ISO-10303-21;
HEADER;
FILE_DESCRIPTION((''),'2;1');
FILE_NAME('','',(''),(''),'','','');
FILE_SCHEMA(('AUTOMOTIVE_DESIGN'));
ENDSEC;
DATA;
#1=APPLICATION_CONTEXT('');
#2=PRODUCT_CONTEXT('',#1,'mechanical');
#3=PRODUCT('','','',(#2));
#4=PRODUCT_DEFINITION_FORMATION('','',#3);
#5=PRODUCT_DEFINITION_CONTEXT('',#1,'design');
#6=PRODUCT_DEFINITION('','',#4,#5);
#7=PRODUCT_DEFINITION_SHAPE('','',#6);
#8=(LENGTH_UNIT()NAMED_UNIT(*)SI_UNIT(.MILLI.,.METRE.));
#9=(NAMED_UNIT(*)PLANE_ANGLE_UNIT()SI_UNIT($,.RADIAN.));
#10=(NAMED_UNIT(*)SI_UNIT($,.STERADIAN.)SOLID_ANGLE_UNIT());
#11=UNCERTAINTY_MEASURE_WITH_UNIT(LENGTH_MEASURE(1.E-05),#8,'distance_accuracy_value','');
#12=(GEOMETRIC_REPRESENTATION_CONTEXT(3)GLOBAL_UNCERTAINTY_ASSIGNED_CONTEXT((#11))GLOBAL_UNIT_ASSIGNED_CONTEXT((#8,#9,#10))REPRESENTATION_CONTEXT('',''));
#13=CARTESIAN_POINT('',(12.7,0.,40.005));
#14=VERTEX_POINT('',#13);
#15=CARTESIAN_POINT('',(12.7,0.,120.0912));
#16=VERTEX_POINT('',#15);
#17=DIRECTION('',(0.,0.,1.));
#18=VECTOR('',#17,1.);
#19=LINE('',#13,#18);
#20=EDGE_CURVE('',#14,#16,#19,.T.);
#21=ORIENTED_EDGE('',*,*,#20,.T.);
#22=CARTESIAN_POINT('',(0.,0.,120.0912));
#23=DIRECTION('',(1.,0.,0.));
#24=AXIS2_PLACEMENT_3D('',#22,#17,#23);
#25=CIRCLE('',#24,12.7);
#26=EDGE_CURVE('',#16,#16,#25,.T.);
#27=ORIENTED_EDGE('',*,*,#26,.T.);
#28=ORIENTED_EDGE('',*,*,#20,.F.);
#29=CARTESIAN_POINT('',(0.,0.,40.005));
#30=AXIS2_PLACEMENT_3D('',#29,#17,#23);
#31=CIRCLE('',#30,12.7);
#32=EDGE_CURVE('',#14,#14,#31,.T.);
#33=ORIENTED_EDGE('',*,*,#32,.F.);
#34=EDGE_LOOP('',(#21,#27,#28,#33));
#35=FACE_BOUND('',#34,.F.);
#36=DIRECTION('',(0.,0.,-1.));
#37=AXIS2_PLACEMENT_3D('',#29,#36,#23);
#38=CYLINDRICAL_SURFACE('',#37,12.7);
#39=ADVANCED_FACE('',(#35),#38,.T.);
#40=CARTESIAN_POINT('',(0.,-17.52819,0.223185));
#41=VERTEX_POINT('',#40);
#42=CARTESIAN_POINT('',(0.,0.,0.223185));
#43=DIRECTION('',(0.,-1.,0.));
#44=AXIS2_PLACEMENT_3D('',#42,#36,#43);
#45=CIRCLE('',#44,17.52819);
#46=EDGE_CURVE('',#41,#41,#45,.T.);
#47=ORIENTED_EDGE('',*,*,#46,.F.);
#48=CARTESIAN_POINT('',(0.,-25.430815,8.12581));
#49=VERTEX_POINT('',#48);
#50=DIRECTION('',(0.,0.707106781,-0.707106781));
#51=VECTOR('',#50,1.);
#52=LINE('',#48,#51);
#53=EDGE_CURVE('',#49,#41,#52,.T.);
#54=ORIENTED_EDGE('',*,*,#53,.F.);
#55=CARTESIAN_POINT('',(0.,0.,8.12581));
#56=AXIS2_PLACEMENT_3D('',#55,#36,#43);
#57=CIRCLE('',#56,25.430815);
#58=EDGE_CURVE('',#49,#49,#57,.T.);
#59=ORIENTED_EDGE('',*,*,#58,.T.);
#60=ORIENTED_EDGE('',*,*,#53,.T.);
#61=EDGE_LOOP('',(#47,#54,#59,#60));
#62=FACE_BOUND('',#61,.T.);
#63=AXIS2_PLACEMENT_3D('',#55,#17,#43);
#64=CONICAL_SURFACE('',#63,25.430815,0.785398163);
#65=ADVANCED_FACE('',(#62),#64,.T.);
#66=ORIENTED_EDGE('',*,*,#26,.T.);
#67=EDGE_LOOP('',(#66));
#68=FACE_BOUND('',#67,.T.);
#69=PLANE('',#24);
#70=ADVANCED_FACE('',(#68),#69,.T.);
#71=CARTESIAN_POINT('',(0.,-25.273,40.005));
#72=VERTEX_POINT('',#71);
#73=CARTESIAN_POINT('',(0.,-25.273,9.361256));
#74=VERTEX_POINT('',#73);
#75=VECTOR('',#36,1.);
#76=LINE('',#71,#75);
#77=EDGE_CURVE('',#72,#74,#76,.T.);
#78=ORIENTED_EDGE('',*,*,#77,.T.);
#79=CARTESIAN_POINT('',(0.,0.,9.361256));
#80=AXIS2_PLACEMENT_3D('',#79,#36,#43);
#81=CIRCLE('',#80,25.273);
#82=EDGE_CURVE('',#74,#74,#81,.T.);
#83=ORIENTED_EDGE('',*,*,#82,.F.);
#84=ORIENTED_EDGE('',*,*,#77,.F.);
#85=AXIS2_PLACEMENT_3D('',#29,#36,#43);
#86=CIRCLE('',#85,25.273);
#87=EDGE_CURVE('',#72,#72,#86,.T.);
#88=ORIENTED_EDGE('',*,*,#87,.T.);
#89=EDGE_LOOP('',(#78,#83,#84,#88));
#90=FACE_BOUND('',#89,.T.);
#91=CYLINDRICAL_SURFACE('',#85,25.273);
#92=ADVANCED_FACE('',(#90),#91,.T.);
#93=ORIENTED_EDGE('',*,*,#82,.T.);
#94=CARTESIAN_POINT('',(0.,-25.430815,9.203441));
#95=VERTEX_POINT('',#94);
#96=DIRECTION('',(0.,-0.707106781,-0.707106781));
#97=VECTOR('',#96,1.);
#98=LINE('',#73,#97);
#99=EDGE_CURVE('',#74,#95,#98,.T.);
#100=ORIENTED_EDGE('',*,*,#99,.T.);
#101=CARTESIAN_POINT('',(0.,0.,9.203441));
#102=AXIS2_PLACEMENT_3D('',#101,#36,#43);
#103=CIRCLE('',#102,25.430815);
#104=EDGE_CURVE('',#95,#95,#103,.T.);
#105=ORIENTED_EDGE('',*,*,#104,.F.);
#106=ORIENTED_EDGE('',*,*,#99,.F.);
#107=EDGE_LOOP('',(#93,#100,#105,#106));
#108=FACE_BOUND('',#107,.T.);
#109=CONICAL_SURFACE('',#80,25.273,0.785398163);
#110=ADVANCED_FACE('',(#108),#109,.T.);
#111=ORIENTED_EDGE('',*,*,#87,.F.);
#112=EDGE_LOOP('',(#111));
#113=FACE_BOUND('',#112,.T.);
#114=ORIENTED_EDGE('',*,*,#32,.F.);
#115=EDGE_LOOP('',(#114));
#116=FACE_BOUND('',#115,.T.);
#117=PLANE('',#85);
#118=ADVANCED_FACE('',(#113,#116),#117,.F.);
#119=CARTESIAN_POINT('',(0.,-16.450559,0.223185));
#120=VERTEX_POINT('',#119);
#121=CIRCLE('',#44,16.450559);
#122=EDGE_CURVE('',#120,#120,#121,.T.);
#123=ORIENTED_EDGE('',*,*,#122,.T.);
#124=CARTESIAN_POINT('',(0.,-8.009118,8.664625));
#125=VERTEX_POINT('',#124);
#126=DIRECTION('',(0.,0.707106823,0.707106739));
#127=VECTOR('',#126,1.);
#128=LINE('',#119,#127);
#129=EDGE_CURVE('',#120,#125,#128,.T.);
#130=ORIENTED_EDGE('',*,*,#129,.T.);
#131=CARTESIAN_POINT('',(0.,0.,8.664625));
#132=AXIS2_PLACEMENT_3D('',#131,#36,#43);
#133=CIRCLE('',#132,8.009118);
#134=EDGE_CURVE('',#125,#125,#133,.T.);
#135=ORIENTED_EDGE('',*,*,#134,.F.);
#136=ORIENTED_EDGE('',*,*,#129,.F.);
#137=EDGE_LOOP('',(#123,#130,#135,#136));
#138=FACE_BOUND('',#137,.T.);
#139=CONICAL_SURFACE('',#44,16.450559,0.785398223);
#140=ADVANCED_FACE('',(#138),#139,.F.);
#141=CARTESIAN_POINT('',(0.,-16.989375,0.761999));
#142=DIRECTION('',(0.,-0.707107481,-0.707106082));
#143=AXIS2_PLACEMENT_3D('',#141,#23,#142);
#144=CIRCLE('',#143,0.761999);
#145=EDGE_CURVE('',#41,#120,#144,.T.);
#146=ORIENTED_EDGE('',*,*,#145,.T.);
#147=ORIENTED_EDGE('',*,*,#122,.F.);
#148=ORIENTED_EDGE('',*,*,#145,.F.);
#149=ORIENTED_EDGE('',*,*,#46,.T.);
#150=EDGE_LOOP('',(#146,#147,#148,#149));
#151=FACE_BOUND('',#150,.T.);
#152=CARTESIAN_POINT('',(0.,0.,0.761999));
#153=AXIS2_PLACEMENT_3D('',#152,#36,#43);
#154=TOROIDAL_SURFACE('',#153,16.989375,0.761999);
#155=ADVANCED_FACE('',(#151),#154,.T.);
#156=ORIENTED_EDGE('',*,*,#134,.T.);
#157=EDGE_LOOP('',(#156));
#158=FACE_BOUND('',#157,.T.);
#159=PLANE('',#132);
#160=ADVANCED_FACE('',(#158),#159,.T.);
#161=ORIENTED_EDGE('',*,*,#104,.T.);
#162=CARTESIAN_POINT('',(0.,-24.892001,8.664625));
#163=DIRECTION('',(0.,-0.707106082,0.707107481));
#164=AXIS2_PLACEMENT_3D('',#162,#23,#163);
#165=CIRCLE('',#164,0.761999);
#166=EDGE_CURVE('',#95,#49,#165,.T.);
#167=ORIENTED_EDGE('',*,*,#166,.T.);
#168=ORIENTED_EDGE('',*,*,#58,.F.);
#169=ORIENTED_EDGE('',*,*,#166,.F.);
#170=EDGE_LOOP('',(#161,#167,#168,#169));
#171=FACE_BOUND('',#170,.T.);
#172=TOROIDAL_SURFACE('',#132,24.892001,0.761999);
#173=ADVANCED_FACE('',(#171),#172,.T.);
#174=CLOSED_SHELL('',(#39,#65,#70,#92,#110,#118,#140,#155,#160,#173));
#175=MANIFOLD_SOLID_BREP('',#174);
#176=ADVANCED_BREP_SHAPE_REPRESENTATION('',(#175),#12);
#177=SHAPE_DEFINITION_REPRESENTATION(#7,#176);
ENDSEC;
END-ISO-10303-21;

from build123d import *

# Parameters (mm, degrees)
F2_R     = 12.7
F3_DEPTH = 80.0862


with BuildPart() as f1:
    # F0 (on Right) → F1 (revolve)
    with BuildSketch(Plane.YZ):
        with BuildLine():
            Line((0, 40.005), (-25.273, 40.005))
            Line((-25.273, 40.005), (-25.273, 9.361256))
            Line((-25.273, 9.361256), (-25.430815, 9.203441))
            ThreePointArc((-25.430815, 9.203441), (-25.654, 8.664625), (-25.430815, 8.12581))
            Line((-25.430815, 8.12581), (-17.52819, 0.223185))
            ThreePointArc((-17.52819, 0.223185), (-16.989375, 0), (-16.450559, 0.223185))
            Line((-16.450559, 0.223185), (-8.009118, 8.664625))
            Line((-8.009118, 8.664625), (0, 8.664625))
            Line((0, 8.664625), (0, 40.005))
        make_face()
    revolve(axis=Axis((0, 0, 24.334813), (0, 0, -1)))

    # F2 (on face) → F3 (join)
    with BuildSketch(Plane.XY.offset(40.005)):
        Circle(F2_R)
    extrude(amount=F3_DEPTH)


solid = f1.part
